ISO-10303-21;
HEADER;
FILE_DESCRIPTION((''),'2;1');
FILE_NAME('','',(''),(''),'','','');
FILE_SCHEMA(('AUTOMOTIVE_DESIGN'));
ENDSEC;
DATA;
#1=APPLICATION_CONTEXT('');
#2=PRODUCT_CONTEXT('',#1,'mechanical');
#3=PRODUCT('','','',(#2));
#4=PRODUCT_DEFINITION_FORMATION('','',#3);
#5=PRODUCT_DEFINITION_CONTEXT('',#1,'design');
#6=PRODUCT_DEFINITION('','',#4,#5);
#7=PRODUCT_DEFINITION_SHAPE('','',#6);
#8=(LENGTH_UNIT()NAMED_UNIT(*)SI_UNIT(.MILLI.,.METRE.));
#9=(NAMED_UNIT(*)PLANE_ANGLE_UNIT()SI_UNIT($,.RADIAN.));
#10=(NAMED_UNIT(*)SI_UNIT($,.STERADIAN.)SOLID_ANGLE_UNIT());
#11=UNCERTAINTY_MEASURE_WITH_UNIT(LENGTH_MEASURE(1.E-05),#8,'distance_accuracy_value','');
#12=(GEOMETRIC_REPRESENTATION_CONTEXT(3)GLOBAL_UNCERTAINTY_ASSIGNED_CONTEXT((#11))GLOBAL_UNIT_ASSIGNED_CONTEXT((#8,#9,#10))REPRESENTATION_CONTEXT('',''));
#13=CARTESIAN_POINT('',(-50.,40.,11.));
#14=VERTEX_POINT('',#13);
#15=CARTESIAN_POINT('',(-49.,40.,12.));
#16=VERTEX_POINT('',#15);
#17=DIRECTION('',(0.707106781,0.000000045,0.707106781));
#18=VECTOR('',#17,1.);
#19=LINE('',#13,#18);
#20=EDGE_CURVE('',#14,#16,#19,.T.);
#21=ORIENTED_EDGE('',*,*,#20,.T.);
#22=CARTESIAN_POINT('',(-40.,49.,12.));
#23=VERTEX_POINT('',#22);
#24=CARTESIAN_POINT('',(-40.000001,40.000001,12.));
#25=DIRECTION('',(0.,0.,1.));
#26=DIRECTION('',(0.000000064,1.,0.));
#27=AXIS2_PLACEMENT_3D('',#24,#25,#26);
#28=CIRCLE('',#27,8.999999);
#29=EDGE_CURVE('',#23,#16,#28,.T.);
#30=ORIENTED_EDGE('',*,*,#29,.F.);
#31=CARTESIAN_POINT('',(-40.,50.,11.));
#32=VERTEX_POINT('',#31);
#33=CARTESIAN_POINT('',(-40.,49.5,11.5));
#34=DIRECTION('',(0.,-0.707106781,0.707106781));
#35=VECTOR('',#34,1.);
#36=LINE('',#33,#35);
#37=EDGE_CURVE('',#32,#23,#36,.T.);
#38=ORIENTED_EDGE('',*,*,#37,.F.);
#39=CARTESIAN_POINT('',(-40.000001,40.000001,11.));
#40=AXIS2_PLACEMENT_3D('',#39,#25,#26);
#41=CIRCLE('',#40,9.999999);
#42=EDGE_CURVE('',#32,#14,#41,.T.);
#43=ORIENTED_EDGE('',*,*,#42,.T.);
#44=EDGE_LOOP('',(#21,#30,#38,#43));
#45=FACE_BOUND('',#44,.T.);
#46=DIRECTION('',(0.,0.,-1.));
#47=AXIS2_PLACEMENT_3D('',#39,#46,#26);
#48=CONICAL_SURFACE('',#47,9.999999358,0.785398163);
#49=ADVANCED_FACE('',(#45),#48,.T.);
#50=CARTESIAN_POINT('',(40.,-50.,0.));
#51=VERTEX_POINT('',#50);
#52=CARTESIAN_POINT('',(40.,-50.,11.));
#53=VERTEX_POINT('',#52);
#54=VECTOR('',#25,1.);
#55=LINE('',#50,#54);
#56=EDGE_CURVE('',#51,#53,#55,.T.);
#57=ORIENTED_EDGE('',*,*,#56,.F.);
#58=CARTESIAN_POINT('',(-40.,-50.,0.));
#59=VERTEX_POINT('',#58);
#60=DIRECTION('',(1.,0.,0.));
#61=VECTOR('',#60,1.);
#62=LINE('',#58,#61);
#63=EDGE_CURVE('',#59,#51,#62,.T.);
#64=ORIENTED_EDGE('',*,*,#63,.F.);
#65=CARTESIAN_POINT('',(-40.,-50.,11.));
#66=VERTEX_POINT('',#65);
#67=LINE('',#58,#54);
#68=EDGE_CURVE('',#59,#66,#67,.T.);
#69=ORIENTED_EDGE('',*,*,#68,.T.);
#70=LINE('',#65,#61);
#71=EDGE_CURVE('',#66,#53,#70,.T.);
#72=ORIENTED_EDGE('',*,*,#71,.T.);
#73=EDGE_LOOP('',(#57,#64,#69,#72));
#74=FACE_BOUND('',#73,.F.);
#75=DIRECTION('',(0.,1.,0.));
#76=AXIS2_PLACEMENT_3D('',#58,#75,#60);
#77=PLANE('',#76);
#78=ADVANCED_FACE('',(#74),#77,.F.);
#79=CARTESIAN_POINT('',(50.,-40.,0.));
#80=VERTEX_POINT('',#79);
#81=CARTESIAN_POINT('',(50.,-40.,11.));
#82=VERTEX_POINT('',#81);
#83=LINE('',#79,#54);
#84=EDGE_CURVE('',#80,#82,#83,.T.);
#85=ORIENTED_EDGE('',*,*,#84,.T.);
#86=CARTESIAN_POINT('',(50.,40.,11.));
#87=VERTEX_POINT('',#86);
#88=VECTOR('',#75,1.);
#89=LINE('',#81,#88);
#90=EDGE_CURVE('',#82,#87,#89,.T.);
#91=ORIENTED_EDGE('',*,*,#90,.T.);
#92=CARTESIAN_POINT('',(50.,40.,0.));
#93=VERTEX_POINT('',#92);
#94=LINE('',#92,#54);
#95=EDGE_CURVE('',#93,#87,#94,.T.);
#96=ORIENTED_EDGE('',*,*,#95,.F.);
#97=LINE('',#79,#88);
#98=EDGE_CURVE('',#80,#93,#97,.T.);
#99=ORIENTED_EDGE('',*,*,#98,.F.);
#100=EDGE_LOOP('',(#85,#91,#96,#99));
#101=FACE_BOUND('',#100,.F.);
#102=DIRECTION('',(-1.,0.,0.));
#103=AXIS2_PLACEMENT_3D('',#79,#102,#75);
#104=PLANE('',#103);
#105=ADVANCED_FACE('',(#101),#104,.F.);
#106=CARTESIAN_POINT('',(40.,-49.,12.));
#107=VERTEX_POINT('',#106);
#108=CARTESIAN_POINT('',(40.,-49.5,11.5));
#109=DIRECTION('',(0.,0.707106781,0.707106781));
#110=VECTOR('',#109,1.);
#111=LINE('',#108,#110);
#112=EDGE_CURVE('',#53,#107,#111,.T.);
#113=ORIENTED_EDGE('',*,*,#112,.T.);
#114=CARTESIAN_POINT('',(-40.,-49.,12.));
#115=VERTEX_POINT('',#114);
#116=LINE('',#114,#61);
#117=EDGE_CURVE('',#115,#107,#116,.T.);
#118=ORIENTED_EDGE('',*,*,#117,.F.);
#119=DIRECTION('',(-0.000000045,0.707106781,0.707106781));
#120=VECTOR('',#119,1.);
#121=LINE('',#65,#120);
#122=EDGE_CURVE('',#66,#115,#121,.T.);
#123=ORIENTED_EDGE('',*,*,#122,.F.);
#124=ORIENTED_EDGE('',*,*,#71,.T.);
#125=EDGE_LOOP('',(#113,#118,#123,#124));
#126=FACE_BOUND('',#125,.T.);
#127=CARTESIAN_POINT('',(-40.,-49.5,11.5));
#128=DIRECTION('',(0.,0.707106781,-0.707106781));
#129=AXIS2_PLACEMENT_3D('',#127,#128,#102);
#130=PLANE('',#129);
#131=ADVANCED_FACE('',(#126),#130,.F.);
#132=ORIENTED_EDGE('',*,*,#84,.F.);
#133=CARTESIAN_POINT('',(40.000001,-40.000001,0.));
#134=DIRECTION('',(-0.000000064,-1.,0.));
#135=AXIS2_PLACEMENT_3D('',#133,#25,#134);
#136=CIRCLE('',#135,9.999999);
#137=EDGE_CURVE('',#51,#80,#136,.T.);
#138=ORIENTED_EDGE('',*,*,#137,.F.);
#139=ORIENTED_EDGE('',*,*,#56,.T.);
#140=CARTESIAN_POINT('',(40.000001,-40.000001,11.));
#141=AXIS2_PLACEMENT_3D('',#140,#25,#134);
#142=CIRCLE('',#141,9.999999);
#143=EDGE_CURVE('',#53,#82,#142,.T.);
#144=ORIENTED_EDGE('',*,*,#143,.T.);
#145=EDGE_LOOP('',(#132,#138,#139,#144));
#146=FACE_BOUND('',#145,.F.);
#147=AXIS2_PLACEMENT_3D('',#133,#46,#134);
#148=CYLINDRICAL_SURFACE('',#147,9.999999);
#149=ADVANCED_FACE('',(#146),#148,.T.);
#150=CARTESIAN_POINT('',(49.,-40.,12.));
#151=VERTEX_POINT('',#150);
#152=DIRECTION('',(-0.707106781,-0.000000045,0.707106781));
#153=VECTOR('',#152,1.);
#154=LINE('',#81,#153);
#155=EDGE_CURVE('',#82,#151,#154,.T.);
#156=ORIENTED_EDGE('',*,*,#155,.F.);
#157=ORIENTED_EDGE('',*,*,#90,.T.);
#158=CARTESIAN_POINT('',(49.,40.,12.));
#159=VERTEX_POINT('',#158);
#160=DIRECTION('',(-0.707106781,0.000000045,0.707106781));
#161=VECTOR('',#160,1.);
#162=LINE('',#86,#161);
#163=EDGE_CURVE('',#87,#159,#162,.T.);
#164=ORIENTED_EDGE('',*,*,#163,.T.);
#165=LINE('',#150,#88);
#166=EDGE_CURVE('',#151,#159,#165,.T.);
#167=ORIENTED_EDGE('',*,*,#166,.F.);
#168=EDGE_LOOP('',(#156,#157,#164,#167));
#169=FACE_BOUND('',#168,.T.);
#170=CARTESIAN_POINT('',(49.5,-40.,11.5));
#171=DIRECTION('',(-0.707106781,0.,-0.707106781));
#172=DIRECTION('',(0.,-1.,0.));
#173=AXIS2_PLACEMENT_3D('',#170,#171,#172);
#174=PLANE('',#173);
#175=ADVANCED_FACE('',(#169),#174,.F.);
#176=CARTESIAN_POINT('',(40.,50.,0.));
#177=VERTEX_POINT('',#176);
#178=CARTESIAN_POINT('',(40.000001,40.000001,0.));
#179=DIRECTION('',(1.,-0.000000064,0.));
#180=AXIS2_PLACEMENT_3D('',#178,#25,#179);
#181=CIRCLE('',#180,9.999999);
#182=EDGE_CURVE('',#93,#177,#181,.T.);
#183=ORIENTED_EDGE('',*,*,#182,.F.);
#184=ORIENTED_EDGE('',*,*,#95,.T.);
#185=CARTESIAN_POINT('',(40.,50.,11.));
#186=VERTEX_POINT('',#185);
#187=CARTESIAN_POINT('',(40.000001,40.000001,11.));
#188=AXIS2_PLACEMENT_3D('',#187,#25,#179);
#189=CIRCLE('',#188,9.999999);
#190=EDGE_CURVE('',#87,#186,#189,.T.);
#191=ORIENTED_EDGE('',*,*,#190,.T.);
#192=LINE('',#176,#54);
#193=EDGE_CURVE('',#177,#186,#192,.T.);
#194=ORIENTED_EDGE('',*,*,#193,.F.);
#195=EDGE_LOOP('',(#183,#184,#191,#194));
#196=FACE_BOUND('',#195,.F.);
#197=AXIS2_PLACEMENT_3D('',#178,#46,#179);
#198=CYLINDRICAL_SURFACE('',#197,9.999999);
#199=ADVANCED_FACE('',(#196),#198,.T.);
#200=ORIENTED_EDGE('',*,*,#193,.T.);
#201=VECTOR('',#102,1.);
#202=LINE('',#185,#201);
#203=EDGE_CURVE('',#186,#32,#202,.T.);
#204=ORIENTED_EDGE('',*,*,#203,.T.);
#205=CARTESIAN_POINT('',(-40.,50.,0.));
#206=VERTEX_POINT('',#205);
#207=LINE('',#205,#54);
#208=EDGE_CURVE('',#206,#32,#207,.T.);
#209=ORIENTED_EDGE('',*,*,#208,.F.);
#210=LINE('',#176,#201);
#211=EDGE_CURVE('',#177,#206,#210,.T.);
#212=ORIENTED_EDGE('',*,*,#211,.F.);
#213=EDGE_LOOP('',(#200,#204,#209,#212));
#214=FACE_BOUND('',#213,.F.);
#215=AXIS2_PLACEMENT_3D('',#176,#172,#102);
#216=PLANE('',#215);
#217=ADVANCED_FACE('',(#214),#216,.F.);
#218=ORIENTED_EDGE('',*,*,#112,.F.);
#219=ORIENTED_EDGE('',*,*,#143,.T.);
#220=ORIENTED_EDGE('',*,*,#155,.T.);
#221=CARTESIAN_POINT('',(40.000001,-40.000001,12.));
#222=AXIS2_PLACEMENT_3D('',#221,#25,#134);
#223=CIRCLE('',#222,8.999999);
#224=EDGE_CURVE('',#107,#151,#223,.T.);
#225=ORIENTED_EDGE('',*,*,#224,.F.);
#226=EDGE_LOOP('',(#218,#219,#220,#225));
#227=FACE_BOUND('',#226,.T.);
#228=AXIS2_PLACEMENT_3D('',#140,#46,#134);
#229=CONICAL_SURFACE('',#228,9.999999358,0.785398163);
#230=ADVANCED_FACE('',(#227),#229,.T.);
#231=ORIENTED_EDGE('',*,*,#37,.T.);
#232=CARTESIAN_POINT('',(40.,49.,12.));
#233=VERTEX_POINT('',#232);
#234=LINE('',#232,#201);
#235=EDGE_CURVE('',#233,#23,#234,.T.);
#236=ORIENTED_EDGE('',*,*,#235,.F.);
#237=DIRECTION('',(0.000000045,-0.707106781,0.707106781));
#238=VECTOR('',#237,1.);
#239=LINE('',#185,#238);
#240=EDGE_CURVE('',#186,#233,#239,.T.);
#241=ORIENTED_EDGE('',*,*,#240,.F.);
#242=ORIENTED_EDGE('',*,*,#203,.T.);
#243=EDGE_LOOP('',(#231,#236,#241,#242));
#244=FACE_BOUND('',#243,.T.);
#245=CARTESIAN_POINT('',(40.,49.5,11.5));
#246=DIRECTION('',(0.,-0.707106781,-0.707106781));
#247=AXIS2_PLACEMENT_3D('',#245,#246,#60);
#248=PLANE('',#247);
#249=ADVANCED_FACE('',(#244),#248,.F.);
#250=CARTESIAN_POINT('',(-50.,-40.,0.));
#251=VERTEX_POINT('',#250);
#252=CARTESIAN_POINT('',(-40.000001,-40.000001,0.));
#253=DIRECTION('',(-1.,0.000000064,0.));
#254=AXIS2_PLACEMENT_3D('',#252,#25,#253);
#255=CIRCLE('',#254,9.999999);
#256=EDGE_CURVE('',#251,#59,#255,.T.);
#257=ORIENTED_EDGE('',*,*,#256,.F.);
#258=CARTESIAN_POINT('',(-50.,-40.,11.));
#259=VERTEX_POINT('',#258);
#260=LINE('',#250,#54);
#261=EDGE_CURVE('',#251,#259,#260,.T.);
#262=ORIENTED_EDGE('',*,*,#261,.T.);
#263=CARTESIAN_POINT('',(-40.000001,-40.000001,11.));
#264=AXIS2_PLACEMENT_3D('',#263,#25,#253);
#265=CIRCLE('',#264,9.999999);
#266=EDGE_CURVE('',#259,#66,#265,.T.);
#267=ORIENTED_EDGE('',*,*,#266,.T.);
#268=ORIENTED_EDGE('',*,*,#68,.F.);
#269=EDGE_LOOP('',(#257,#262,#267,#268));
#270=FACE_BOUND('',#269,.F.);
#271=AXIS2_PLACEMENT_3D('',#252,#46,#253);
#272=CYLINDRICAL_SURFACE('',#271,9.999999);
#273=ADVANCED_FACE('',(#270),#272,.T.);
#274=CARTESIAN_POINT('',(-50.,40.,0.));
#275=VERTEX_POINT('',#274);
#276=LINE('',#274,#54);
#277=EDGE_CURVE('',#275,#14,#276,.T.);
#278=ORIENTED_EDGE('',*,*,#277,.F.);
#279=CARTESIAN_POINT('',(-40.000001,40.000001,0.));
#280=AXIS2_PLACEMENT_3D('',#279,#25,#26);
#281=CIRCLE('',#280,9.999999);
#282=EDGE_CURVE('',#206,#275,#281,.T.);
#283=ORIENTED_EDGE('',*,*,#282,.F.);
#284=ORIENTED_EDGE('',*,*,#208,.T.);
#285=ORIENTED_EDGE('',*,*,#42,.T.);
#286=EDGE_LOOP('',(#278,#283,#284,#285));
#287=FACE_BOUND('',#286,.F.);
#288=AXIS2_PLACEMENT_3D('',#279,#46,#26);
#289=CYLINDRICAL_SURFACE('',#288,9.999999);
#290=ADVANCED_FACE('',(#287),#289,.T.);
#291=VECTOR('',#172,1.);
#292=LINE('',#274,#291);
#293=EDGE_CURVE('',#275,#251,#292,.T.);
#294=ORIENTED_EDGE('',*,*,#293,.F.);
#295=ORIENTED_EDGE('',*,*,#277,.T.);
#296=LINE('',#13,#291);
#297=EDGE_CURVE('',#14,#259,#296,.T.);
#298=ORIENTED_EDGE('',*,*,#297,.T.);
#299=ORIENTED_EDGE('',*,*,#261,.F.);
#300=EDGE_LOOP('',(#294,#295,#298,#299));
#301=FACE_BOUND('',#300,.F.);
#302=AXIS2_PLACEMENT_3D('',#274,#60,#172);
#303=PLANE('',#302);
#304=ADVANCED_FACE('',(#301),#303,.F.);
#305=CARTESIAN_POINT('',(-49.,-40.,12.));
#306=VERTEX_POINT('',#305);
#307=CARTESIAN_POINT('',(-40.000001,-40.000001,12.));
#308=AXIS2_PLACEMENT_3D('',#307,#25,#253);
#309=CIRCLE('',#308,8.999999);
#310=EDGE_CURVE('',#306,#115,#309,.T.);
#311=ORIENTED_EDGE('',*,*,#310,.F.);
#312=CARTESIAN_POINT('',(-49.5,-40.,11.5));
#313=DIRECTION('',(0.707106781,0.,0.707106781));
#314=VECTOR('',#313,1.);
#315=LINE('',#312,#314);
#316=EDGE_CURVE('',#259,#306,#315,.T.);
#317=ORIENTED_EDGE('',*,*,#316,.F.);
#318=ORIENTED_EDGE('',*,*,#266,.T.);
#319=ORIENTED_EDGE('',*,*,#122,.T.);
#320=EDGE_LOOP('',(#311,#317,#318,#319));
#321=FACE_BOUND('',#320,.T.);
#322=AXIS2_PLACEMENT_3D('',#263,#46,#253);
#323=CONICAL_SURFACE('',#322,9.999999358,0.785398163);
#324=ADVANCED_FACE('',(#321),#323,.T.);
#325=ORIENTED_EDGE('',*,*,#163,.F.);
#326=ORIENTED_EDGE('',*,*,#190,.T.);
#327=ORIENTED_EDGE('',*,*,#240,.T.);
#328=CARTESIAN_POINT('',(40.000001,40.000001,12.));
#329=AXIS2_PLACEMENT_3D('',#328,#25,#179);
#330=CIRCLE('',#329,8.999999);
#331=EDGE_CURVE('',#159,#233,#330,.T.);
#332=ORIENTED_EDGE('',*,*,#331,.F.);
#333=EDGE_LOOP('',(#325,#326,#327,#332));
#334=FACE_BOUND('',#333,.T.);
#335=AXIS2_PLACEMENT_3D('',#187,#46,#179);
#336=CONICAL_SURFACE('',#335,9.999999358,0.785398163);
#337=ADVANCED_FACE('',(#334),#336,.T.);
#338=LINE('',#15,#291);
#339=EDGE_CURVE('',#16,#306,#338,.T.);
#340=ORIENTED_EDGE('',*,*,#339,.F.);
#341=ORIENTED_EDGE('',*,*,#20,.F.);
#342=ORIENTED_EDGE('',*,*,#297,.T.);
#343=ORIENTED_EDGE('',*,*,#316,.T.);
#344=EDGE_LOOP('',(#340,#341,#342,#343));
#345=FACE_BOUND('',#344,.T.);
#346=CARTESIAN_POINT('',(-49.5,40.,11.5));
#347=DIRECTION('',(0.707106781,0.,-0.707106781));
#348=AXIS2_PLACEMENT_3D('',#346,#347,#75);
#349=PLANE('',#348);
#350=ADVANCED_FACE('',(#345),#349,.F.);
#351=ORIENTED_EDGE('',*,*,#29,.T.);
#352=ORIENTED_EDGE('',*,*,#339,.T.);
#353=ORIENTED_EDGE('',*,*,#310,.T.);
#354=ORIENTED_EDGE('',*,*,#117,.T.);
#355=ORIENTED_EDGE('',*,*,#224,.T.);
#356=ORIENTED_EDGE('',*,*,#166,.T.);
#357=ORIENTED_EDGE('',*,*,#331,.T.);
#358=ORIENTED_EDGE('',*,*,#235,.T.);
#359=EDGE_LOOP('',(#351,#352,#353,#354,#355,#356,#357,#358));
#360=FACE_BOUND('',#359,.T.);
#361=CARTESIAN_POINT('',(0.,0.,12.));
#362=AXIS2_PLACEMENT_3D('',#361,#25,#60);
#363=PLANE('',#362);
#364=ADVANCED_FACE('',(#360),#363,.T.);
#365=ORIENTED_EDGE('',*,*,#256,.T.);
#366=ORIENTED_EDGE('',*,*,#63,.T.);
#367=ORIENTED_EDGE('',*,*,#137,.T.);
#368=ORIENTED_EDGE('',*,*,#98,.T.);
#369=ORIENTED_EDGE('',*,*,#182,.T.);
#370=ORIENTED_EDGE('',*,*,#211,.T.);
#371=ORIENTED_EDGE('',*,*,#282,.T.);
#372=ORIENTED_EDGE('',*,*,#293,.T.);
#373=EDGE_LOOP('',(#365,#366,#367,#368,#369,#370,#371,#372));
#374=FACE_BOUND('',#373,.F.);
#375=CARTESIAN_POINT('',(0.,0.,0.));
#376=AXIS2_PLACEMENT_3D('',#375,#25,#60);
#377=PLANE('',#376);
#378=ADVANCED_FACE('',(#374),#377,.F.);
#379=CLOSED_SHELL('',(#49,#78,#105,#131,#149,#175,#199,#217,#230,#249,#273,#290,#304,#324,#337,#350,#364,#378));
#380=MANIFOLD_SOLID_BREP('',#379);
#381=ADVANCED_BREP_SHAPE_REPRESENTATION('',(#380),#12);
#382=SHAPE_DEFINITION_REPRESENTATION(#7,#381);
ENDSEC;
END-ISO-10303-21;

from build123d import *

# Parameters (mm, degrees)
F1_DEPTH = 12
F2_SIZE  = 1


with BuildPart() as f1:
    # F0 (on Top) → F1 (new body)
    with BuildSketch(Plane.XY):
        with BuildLine():
            ThreePointArc((50, 40), (47.071068, 47.071068), (40, 50))
            Line((40, 50), (-40, 50))
            ThreePointArc((-40, 50), (-47.071068, 47.071068), (-50, 40))
            Line((-50, 40), (-50, -40))
            ThreePointArc((-50, -40), (-47.071068, -47.071068), (-40, -50))
            Line((-40, -50), (40, -50))
            ThreePointArc((40, -50), (47.071068, -47.071068), (50, -40))
            Line((50, -40), (50, 40))
        make_face()
    extrude(amount=F1_DEPTH)

    # F2
    f2_edges = [f1.edges().sort_by_distance(p)[0] for p in [
        (47.071068, 47.071068, 12),
        (0, 50, 12),
        (-47.071068, 47.071068, 12),
        (-50, 0, 12),
        (-47.071068, -47.071068, 12),
        (0, -50, 12),
        (47.071068, -47.071068, 12),
        (50, 0, 12),
    ]]
    chamfer(f2_edges, length=F2_SIZE)


solid = f1.part
